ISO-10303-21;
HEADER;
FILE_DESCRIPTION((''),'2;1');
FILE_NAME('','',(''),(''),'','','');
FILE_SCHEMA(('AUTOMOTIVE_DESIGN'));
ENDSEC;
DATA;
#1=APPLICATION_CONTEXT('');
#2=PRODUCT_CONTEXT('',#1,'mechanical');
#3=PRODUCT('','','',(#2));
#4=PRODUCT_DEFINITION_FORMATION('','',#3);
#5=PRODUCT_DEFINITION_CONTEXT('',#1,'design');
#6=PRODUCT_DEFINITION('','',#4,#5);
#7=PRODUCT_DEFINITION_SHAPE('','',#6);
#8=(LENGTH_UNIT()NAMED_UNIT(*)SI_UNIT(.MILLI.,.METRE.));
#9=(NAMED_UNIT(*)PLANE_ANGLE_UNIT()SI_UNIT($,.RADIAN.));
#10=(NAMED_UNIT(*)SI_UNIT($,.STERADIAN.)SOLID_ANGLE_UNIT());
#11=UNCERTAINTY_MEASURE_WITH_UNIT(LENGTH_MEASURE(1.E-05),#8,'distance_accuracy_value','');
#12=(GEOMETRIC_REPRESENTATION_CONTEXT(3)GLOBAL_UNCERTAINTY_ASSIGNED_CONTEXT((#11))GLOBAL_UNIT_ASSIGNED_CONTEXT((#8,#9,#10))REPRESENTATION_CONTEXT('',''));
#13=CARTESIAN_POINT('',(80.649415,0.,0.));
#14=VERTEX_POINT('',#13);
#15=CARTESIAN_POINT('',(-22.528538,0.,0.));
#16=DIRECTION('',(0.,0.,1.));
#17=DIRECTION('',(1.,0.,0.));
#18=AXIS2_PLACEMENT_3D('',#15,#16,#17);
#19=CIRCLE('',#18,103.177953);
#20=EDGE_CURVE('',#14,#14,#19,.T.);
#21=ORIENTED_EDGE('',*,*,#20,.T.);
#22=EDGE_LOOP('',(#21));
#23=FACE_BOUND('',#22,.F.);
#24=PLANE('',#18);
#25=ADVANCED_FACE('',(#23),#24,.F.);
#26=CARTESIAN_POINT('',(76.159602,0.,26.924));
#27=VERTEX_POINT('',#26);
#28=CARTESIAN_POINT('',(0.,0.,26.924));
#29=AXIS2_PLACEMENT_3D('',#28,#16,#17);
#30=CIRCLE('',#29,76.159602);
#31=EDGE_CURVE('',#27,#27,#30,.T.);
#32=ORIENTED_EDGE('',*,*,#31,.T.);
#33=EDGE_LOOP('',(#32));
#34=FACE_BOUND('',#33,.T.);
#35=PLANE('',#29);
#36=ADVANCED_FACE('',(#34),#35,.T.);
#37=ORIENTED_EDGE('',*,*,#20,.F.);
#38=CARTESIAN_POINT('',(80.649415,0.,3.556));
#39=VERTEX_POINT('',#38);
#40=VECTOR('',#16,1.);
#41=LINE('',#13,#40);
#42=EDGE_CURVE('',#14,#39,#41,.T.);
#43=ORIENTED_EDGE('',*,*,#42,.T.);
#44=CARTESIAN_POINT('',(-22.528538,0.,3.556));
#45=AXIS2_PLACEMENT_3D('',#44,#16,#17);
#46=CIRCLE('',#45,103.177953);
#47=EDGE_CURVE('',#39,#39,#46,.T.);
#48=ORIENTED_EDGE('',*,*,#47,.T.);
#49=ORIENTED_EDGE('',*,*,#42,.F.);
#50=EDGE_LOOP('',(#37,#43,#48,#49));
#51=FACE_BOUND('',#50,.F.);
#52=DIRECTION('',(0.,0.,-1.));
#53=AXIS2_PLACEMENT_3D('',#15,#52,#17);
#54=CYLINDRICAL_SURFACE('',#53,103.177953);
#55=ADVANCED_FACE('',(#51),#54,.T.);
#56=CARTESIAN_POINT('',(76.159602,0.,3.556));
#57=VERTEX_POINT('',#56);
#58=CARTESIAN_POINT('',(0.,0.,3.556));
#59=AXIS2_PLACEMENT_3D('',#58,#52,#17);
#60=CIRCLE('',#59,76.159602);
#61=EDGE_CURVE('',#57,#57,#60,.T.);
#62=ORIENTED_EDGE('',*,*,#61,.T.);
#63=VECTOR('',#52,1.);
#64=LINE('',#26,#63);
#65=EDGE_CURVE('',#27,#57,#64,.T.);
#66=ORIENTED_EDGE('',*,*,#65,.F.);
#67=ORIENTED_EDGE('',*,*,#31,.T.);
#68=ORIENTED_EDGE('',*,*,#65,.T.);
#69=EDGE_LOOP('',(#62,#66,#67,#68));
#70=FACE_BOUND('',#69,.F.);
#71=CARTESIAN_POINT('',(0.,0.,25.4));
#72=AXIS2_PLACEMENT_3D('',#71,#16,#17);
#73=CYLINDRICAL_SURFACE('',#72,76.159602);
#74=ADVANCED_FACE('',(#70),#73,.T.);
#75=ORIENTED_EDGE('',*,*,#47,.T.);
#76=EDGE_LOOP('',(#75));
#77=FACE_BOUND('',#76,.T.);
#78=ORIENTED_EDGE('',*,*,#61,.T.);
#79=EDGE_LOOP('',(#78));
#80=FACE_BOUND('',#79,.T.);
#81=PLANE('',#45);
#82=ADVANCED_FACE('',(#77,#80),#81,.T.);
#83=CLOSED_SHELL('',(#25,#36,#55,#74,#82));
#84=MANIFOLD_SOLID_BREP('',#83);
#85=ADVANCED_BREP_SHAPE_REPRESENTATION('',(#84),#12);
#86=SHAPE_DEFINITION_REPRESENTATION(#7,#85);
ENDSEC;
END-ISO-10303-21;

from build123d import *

# Parameters (mm, degrees)
F0_R     = 76.159602451
F1_DEPTH = 26.924
F2_R     = 103.1779531524
F3_DEPTH = 25.4
F4_DEPTH = 21.844


with BuildPart() as f1:
    # F0 (on Top) → F1 (new body)
    with BuildSketch(Plane.XY):
        Circle(F0_R)
    extrude(amount=F1_DEPTH)

    # F2 (on Top) → F3 (join)
    with BuildSketch(Plane.XY):
        with Locations((-22.5285384804, 0)):
            Circle(F2_R)
    extrude(amount=F3_DEPTH)

    # F4 (cut): a face of the model
    f4_faces = [f1.faces().sort_by_distance(p)[0] for p in [
        (-122.7881784191, 0, 25.4),
    ]]
    extrude(f4_faces, amount=-F4_DEPTH, mode=Mode.SUBTRACT)


solid = f1.part
